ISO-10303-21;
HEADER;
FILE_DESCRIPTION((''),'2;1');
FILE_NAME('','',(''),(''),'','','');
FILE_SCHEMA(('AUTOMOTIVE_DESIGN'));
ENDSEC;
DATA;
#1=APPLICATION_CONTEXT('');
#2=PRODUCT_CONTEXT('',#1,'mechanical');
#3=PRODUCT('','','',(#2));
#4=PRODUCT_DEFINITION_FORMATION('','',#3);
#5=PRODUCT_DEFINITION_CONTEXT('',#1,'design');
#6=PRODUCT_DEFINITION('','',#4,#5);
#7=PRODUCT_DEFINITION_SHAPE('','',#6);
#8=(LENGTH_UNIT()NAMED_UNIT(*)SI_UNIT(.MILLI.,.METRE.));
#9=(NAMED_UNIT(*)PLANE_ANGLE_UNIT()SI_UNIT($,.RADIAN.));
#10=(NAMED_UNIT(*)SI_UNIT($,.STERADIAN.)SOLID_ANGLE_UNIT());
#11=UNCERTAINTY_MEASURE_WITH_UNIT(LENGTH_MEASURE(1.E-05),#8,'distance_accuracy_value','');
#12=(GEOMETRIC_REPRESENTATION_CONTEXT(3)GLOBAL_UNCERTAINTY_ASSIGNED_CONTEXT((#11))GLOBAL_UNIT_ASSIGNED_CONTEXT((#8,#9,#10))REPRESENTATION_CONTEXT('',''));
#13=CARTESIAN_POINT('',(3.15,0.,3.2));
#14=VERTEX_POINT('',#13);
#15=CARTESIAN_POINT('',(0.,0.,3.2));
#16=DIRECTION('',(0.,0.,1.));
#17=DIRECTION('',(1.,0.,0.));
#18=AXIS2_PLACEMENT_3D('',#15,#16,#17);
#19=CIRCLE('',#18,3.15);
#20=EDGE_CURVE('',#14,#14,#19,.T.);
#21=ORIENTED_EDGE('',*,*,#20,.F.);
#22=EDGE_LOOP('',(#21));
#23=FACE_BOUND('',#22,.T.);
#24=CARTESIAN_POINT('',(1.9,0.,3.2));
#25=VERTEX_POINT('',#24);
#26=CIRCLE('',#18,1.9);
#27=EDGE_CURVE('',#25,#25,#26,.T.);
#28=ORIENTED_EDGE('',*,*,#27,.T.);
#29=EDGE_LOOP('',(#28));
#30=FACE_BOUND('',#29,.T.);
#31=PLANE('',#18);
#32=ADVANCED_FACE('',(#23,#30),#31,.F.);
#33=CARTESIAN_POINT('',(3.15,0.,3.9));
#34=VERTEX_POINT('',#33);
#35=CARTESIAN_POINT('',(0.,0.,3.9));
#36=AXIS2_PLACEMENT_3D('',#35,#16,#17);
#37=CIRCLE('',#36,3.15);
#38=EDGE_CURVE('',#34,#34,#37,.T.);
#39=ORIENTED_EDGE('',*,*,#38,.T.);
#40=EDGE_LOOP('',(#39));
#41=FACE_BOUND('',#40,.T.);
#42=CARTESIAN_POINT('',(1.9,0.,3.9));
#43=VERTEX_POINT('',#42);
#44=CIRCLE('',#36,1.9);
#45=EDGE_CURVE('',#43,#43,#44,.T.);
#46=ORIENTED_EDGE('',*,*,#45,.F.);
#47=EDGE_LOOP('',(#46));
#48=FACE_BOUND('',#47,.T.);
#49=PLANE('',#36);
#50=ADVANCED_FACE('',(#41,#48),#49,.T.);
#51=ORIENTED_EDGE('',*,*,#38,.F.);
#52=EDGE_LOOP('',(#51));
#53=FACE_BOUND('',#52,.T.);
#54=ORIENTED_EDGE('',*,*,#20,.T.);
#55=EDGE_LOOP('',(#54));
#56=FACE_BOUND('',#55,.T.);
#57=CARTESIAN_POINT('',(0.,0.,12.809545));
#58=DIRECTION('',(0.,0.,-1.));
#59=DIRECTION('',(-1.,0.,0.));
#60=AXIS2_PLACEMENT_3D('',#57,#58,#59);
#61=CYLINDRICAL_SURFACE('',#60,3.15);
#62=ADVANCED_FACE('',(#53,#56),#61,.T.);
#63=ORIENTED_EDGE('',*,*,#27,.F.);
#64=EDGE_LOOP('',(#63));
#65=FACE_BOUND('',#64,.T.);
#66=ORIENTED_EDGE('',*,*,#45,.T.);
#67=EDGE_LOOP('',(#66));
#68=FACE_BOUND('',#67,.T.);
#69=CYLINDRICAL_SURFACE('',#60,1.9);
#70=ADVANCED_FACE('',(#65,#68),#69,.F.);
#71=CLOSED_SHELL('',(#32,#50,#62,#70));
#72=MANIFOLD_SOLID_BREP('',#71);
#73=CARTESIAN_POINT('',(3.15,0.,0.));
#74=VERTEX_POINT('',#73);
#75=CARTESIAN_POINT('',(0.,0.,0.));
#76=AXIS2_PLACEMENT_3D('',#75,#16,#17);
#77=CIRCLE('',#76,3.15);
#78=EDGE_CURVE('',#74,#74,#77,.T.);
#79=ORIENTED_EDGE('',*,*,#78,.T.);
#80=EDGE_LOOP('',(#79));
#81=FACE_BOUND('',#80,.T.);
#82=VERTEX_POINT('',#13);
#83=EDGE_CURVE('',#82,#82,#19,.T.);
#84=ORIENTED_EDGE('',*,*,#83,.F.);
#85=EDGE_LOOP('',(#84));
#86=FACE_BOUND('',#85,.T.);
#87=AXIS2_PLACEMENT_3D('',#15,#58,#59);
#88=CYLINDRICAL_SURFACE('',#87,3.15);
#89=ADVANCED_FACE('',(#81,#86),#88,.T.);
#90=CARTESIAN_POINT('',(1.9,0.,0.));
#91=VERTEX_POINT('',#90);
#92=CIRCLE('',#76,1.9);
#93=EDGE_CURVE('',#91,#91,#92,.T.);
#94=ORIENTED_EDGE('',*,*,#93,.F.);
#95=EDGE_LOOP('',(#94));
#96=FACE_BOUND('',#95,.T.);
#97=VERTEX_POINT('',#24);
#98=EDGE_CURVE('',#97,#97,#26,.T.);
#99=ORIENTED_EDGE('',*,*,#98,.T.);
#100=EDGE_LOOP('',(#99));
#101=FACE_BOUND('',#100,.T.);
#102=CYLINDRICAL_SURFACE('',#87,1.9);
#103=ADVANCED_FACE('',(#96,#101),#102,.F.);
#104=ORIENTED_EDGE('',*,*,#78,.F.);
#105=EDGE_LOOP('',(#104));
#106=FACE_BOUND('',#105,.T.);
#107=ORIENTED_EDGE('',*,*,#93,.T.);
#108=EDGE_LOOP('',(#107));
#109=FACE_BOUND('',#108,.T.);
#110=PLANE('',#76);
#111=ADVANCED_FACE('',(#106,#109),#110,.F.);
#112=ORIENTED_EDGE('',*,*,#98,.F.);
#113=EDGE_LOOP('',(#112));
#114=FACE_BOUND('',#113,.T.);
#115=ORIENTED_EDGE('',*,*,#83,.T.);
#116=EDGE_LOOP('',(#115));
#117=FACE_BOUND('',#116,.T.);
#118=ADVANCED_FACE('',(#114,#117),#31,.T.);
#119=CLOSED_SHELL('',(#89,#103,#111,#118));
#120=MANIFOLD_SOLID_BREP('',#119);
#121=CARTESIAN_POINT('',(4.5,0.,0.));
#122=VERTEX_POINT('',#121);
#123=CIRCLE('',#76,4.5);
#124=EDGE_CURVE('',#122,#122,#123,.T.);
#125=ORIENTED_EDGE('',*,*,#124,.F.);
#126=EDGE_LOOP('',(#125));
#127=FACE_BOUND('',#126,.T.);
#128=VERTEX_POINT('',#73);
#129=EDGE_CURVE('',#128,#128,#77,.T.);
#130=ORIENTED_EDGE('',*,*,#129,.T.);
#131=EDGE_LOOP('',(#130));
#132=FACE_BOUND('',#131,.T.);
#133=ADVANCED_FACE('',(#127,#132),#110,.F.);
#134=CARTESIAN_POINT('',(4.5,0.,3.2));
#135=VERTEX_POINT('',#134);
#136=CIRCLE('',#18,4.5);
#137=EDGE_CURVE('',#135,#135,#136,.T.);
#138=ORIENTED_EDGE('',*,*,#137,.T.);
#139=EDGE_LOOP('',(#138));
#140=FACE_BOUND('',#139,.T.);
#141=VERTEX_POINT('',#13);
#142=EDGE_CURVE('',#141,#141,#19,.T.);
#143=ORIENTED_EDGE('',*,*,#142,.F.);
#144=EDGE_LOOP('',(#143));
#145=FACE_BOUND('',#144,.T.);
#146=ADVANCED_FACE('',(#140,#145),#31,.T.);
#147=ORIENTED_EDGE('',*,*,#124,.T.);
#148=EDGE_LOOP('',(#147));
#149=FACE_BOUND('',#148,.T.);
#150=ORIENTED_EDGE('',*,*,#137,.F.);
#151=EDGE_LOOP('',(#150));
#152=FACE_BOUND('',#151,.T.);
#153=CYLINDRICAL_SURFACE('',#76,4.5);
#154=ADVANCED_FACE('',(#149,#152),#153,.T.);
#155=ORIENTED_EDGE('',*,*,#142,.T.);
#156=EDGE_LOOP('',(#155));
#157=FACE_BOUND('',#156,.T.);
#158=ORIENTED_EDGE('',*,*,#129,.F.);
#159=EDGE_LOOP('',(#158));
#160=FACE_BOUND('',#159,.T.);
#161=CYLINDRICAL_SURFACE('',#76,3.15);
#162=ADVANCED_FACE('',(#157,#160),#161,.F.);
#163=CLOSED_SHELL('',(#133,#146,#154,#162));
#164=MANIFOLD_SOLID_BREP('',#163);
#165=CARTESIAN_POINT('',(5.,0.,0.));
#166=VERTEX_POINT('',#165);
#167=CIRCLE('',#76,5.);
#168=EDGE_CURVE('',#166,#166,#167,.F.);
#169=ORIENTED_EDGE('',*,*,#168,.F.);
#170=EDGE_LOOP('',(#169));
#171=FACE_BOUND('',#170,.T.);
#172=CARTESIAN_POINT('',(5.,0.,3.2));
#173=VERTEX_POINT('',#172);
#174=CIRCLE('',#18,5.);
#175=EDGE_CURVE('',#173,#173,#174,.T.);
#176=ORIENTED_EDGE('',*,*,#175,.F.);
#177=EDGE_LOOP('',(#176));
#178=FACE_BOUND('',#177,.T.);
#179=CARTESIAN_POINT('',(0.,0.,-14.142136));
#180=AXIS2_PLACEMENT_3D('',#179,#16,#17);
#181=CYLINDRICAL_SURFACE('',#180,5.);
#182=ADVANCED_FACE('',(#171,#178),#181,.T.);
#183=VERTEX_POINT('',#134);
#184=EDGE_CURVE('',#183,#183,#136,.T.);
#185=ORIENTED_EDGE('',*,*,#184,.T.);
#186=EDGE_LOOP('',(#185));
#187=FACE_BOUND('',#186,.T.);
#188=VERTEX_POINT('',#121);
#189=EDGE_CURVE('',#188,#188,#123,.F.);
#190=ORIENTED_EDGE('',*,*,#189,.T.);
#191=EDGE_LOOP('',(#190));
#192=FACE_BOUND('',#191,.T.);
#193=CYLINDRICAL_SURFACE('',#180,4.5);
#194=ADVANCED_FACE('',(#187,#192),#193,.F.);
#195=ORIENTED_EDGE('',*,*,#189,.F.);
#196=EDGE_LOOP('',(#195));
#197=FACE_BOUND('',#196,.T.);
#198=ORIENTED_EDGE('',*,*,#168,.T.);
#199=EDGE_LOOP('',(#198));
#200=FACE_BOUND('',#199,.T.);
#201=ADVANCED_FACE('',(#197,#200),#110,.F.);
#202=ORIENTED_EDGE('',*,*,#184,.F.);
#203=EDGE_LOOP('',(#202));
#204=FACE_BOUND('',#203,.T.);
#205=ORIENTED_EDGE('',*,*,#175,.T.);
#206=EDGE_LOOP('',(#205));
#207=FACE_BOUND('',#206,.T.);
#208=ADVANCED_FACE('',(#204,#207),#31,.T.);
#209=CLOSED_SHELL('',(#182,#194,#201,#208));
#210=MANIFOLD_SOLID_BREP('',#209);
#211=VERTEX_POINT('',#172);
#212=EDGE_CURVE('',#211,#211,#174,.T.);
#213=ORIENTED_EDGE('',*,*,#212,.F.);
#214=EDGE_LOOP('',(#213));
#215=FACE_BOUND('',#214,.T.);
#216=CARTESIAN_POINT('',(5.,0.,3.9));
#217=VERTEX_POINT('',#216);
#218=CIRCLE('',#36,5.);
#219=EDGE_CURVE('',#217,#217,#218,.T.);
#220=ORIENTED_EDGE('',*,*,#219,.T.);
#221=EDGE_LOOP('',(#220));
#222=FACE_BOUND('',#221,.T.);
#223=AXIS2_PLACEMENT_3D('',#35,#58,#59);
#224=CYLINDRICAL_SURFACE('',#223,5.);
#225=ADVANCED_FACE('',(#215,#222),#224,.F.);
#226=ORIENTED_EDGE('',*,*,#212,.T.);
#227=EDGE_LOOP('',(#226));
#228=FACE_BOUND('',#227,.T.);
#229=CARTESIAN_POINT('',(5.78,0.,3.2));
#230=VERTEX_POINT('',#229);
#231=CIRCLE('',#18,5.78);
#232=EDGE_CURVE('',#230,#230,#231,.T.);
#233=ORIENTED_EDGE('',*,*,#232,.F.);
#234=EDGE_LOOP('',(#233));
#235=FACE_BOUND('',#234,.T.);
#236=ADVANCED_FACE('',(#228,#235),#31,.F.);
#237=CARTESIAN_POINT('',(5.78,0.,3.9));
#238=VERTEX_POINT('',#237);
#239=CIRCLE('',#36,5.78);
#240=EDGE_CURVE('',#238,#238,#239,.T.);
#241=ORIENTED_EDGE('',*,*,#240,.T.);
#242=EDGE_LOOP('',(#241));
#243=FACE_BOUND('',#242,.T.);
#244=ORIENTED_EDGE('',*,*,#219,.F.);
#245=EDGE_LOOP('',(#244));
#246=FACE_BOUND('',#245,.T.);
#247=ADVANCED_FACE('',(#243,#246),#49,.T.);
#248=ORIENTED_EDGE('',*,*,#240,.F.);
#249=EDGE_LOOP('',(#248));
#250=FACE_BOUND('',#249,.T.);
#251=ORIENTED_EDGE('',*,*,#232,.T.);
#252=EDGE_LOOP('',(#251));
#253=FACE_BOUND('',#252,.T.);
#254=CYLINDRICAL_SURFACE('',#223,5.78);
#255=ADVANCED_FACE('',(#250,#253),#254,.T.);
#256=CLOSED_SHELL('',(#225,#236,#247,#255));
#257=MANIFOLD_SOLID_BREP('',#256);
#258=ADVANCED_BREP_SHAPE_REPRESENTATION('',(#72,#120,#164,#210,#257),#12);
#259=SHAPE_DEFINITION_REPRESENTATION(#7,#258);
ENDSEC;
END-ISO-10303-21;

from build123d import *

# Parameters (mm, degrees)
SKETCH_1_R      = 3.15
SKETCH_1_R_2    = 1.9
EXTRUDE_1_DEPTH = 3.2
SKETCH_2_R      = 5
SKETCH_2_R_2    = 4.5
EXTRUDE_2_DEPTH = 3.2
SKETCH_3_R      = 4.5
SKETCH_3_R_2    = 3.15
EXTRUDE_4_DEPTH = 3.2
SKETCH_4_R      = 5.78
SKETCH_4_R_2    = 5
EXTRUDE_6_DEPTH = 0.7
SKETCH_5_R      = 3.15
SKETCH_5_R_2    = 1.9
EXTRUDE_7_DEPTH = 0.7


with BuildPart() as part:
    # 草图1 → 凸台-拉伸1 (new body)
    with BuildSketch(Plane.XY):
        Circle(SKETCH_1_R)
        Circle(SKETCH_1_R_2, mode=Mode.SUBTRACT)
    extrude(amount=EXTRUDE_1_DEPTH)


with BuildPart() as body_2:
    # 草图2 → 凸台-拉伸2 (new body)
    with BuildSketch(Plane.XY.offset(3.2)):
        Circle(SKETCH_2_R)
        Circle(SKETCH_2_R_2, mode=Mode.SUBTRACT)
    extrude(amount=-EXTRUDE_2_DEPTH)


with BuildPart() as body_3:
    # 草图3 → 凸台-拉伸4 (new body)
    with BuildSketch(Plane.XY.offset(3.2)):
        Circle(SKETCH_3_R)
        Circle(SKETCH_3_R_2, mode=Mode.SUBTRACT)
    extrude(amount=-EXTRUDE_4_DEPTH)


with BuildPart() as body_4:
    # 草图4 → 凸台-拉伸6 (new body)
    with BuildSketch(Plane.XY.offset(3.2)):
        Circle(SKETCH_4_R)
        Circle(SKETCH_4_R_2, mode=Mode.SUBTRACT)
    extrude(amount=EXTRUDE_6_DEPTH)


with BuildPart() as body_5:
    # 草图5 → 凸台-拉伸7 (new body)
    with BuildSketch(Plane.XY.offset(3.2)):
        Circle(SKETCH_5_R)
        Circle(SKETCH_5_R_2, mode=Mode.SUBTRACT)
    extrude(amount=EXTRUDE_7_DEPTH)


solid = Compound([part.part, body_2.part, body_3.part, body_4.part, body_5.part])
